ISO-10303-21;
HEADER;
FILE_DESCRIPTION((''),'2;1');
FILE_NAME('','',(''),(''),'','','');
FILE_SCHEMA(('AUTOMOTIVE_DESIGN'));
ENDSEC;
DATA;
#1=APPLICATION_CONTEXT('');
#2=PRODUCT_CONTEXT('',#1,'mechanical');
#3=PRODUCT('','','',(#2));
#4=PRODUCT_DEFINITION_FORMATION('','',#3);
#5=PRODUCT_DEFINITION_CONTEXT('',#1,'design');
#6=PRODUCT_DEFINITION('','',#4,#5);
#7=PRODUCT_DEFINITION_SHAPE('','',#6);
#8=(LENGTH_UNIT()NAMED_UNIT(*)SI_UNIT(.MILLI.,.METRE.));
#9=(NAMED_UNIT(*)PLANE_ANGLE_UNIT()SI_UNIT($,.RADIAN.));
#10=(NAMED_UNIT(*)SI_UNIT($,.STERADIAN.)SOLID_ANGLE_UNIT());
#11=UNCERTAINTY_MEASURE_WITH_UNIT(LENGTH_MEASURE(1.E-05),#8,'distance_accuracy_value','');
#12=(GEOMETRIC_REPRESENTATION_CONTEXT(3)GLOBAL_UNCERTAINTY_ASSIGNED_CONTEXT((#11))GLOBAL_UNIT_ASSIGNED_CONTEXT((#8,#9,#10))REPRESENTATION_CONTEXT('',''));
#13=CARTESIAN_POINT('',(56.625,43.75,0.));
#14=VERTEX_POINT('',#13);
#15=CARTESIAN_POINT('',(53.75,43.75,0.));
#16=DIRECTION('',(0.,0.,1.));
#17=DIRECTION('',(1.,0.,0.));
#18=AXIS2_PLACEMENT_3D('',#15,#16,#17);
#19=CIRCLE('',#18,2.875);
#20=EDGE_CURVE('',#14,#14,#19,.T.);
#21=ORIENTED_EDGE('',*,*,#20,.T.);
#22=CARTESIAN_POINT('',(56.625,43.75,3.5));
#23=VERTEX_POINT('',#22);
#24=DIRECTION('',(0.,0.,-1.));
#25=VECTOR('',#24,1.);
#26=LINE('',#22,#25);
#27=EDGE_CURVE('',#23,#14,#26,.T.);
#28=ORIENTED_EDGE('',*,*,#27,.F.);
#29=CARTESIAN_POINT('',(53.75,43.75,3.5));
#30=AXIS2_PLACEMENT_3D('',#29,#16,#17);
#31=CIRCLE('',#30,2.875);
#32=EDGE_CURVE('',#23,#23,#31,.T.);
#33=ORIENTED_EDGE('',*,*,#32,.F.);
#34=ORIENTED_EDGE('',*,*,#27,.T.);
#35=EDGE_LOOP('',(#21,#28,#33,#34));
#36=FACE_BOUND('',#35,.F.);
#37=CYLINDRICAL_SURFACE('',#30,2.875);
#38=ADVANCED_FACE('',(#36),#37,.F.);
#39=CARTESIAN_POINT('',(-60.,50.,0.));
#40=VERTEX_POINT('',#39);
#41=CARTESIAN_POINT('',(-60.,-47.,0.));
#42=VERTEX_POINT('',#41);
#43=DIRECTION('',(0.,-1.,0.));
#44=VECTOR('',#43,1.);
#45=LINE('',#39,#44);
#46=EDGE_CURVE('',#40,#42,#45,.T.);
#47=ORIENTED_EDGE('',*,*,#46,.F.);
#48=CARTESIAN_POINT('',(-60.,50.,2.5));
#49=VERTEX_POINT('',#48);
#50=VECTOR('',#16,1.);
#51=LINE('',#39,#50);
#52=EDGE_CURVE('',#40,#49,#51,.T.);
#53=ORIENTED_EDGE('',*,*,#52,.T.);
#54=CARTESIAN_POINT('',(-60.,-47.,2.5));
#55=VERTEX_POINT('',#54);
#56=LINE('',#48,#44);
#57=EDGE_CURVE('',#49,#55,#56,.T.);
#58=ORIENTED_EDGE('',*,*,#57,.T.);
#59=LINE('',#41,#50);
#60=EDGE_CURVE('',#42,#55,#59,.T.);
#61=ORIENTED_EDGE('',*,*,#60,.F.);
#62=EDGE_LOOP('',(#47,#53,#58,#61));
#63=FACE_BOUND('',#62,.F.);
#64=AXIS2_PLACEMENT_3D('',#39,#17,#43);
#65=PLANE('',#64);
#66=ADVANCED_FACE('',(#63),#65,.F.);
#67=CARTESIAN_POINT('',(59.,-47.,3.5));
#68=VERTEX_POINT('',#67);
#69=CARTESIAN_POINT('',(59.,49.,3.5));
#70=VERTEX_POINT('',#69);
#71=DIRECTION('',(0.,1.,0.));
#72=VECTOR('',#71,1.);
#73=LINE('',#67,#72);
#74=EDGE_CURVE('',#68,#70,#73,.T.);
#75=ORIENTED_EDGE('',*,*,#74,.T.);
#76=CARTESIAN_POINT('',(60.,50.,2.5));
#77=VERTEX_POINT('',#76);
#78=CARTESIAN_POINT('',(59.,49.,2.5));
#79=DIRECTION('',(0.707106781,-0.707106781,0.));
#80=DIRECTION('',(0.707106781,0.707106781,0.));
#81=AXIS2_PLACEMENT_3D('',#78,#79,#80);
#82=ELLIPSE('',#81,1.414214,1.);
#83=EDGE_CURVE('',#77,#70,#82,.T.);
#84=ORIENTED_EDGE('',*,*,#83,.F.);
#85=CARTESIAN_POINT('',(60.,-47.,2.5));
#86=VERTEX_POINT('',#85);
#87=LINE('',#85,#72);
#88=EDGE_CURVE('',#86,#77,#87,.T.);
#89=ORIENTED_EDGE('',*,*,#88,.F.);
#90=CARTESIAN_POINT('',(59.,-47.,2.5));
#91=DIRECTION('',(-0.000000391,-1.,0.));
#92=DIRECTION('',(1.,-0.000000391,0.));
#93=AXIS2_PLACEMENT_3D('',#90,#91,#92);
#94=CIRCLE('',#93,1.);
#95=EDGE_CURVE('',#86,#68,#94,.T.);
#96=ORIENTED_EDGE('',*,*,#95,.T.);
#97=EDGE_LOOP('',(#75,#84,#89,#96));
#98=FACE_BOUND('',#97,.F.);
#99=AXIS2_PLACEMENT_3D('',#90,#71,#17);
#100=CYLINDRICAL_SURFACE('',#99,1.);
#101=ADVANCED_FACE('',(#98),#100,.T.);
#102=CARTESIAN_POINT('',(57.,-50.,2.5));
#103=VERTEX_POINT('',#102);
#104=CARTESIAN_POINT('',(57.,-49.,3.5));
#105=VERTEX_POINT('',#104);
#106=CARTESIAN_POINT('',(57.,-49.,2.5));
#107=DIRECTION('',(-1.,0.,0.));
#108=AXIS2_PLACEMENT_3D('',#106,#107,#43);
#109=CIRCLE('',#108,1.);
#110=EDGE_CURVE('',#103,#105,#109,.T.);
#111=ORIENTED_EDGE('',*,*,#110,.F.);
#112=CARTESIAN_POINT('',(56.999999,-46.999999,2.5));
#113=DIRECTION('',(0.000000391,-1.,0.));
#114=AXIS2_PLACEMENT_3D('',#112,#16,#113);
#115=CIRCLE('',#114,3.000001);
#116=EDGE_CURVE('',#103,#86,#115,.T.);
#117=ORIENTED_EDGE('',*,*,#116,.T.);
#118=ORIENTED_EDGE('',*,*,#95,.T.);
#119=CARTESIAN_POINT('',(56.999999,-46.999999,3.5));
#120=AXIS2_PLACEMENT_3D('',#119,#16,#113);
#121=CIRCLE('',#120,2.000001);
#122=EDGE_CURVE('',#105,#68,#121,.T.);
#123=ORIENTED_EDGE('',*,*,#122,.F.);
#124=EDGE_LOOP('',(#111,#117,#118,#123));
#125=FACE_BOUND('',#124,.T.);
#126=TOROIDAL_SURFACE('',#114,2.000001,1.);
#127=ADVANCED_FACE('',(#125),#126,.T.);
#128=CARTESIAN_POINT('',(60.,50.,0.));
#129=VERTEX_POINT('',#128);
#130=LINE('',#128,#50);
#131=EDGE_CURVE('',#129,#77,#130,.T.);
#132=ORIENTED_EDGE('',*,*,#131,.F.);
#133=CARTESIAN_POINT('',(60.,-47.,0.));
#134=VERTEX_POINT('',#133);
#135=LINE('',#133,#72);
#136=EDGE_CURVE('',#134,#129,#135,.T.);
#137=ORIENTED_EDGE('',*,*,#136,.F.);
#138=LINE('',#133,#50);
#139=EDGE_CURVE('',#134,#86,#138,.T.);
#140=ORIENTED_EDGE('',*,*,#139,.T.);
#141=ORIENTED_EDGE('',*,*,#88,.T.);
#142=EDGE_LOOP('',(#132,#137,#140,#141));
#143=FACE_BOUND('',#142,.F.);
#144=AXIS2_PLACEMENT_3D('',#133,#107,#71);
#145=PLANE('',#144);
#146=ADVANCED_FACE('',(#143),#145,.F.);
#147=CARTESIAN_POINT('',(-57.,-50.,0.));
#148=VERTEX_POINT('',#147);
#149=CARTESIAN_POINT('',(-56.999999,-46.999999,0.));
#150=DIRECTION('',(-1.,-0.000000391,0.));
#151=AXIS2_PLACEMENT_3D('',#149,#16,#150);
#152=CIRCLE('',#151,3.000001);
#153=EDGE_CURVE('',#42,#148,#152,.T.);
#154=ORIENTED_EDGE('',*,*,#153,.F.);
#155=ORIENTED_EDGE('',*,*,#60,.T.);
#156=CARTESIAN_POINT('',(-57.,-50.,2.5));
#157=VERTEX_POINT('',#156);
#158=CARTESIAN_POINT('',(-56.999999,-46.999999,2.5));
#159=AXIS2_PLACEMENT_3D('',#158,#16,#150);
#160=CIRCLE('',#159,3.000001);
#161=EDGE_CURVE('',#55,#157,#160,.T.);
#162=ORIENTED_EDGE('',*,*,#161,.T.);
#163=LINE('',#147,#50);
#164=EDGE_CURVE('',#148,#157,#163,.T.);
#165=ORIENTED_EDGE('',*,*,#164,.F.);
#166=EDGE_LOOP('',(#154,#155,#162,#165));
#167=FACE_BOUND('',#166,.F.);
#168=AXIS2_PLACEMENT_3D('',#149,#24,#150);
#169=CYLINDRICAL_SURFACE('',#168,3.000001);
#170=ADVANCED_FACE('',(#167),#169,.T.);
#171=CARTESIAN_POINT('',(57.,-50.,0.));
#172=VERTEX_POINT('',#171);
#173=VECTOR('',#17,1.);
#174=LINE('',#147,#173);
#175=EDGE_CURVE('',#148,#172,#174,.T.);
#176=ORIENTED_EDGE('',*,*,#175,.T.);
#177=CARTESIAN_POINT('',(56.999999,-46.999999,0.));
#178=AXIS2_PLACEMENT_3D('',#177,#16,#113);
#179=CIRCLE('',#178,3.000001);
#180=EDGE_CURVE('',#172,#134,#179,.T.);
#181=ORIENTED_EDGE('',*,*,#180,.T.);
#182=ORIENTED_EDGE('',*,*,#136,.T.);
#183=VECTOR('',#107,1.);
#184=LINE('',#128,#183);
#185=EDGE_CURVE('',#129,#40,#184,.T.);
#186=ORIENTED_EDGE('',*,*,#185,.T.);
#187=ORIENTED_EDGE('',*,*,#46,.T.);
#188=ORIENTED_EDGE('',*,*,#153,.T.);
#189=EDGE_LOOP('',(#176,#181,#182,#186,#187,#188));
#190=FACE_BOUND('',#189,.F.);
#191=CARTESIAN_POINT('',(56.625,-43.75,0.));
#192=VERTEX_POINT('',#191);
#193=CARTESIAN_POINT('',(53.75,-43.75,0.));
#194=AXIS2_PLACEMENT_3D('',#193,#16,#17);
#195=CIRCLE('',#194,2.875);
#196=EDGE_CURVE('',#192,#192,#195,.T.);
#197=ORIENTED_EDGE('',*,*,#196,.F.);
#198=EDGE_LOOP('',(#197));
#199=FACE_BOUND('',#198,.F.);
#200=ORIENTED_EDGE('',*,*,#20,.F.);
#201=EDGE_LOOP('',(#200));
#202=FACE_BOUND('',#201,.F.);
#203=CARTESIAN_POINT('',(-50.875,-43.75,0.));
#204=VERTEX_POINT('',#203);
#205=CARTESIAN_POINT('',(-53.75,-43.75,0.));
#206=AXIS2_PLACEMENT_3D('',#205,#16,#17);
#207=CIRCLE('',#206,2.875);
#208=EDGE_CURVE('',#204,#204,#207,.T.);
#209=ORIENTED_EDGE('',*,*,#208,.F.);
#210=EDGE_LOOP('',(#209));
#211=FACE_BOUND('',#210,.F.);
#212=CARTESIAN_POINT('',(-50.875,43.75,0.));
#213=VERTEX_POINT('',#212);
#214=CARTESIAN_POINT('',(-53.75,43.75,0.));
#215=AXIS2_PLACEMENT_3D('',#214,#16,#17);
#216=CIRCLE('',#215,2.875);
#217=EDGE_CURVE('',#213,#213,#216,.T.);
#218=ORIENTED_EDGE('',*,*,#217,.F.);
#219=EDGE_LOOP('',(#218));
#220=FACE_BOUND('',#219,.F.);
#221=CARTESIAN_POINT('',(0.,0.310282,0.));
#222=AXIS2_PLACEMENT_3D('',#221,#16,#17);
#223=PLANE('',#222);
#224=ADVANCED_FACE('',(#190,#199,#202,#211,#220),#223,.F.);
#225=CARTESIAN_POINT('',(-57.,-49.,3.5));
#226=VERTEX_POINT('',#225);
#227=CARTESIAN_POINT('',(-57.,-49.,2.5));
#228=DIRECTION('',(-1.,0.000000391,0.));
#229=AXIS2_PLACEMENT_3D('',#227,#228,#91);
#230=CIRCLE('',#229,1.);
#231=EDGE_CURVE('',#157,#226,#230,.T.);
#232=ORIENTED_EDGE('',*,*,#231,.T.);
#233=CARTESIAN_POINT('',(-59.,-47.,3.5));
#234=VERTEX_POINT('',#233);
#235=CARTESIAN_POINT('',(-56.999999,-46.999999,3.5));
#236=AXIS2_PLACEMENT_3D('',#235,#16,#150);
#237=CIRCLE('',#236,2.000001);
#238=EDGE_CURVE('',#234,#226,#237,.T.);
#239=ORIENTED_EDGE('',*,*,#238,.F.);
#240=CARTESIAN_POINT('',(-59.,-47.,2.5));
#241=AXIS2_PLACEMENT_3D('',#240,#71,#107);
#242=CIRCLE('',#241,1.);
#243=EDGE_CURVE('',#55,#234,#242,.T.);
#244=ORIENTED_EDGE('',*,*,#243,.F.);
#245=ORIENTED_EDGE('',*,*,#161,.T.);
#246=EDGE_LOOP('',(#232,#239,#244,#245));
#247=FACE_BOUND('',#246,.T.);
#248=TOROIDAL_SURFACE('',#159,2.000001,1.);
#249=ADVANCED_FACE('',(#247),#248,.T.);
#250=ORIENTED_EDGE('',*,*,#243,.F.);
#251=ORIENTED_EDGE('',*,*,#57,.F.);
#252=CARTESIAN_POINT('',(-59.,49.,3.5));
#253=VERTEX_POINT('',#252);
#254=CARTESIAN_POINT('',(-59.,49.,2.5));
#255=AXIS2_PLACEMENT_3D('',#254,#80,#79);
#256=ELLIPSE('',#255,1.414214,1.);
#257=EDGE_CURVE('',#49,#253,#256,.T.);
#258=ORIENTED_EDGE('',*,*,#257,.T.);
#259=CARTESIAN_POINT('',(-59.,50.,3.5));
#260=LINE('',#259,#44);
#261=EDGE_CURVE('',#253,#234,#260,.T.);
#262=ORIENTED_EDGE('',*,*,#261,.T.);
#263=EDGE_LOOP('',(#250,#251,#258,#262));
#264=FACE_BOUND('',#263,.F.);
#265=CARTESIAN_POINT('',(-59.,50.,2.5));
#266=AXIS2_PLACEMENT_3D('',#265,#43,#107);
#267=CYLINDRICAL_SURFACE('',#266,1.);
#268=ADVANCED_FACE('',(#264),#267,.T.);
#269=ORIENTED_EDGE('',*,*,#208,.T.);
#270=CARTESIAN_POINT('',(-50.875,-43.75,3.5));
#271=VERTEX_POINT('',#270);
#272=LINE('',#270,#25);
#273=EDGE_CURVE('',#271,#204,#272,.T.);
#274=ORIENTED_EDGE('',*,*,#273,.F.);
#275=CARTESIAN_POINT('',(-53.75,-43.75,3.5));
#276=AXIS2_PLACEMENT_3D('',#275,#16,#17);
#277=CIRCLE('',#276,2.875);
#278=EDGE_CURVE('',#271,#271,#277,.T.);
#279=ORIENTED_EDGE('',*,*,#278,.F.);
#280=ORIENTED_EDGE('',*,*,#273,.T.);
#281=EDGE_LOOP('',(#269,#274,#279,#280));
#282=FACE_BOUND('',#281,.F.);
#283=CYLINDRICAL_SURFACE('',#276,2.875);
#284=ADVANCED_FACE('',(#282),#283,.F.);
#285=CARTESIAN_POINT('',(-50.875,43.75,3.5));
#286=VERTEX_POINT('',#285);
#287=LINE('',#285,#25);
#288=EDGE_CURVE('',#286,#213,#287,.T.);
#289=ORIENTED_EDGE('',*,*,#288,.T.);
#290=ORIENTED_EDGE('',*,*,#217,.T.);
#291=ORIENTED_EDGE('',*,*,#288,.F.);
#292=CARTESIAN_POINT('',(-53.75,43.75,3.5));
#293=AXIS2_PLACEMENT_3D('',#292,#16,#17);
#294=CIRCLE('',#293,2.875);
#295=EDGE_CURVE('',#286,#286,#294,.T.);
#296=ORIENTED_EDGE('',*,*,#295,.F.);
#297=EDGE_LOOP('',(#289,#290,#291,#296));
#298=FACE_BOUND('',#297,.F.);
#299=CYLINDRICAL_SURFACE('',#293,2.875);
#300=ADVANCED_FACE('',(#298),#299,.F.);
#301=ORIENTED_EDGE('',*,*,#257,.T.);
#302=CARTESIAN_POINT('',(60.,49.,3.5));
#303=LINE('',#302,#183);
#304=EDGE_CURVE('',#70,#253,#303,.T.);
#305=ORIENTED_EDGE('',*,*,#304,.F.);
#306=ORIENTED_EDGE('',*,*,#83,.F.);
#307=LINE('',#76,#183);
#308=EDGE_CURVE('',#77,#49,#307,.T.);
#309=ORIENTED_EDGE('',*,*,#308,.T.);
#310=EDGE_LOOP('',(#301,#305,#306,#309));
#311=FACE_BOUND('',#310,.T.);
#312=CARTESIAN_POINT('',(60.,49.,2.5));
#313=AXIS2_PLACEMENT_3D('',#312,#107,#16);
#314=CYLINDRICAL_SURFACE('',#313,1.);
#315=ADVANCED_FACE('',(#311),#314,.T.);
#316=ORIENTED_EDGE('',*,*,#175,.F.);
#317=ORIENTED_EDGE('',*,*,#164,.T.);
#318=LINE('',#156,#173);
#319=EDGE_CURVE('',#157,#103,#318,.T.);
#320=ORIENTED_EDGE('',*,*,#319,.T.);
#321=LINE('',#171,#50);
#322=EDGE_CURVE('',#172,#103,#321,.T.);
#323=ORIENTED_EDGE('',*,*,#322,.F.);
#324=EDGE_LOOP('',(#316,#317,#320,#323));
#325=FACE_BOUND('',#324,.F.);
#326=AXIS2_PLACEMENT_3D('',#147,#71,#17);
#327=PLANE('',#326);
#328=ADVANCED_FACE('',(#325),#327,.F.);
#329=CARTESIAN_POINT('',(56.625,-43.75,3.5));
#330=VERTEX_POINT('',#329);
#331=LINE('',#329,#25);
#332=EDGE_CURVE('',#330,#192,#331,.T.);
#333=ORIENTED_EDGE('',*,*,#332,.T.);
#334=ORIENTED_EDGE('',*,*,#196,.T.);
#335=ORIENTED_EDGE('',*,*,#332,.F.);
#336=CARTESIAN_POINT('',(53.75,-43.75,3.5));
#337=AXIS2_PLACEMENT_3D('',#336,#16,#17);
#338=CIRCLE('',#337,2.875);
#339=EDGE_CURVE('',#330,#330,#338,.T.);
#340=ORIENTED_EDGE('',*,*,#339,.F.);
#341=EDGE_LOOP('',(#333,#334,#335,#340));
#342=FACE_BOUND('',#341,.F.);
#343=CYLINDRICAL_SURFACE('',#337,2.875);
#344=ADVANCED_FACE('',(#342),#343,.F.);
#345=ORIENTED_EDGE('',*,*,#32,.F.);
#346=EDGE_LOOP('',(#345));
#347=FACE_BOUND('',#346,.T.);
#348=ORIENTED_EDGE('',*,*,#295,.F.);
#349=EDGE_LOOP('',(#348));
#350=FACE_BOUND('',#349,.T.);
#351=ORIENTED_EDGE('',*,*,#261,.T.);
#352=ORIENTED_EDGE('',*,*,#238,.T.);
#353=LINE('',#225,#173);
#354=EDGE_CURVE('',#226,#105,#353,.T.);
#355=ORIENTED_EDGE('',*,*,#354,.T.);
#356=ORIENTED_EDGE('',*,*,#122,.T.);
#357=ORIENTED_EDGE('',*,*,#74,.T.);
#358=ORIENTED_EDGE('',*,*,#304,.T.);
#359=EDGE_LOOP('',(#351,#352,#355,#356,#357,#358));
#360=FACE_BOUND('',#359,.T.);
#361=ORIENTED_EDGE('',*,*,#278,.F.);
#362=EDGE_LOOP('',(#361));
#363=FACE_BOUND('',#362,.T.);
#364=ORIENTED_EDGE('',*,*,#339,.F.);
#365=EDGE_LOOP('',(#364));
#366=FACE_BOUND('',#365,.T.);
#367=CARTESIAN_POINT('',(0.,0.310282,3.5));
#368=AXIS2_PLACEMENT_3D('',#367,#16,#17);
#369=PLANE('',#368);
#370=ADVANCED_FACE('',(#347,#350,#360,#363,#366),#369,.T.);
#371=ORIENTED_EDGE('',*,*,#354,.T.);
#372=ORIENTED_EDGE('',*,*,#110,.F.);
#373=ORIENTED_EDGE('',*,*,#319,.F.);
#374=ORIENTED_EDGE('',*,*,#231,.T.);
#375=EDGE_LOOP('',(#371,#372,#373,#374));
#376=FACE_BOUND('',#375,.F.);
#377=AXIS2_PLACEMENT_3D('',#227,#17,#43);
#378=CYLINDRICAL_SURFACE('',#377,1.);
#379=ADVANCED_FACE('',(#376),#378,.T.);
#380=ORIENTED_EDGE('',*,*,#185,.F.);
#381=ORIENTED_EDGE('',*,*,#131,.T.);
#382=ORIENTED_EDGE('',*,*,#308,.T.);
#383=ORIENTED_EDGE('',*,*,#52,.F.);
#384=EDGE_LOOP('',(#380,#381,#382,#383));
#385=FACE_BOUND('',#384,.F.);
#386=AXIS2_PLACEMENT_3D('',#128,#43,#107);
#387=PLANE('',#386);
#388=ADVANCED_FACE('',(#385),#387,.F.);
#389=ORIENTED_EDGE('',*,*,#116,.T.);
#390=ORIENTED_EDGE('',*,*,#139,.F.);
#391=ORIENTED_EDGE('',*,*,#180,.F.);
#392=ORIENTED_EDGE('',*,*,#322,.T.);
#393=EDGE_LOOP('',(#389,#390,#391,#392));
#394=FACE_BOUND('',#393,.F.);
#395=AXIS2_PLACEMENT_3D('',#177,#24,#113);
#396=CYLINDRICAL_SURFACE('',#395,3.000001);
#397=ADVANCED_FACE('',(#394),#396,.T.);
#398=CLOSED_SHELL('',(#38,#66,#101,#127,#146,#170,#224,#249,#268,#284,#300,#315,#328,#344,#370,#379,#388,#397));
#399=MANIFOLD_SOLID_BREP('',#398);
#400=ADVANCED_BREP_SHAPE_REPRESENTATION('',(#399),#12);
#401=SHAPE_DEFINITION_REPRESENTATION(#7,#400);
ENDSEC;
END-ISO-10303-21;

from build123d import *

# Parameters (mm, degrees)
F1_DEPTH = 3.5
F2_R     = 2.875
F3_DEPTH = 3.5
F4_R     = 1


with BuildPart() as f1:
    # F0 (on Top) → F1 (new body)
    with BuildSketch(Plane.XY):
        with BuildLine():
            Line((-57, -50), (57, -50))
            ThreePointArc((57, -50), (59.12132, -49.12132), (60, -47))
            Line((60, -47), (60, 50))
            Line((60, 50), (-60, 50))
            Line((-60, 50), (-60, -47))
            ThreePointArc((-60, -47), (-59.12132, -49.12132), (-57, -50))
        make_face()
    extrude(amount=F1_DEPTH)

    # F2 (on face) → F3 (cut, through all)
    with BuildSketch(Plane.XY.offset(3.5)):
        with Locations((-53.75, 43.75)):
            Circle(F2_R)
        with Locations((53.75, 43.75)):
            Circle(F2_R)
        with Locations((-53.75, -43.75)):
            Circle(F2_R)
        with Locations((53.75, -43.75)):
            Circle(F2_R)
    extrude(amount=-F3_DEPTH, mode=Mode.SUBTRACT)

    # F4
    f4_edges = [f1.edges().sort_by_distance(p)[0] for p in [
        (0, -50, 3.5),
        (-59.12132, -49.12132, 3.5),
        (-60, 1.5, 3.5),
        (0, 50, 3.5),
        (60, 1.5, 3.5),
        (59.12132, -49.12132, 3.5),
    ]]
    fillet(f4_edges, radius=F4_R)


solid = f1.part
